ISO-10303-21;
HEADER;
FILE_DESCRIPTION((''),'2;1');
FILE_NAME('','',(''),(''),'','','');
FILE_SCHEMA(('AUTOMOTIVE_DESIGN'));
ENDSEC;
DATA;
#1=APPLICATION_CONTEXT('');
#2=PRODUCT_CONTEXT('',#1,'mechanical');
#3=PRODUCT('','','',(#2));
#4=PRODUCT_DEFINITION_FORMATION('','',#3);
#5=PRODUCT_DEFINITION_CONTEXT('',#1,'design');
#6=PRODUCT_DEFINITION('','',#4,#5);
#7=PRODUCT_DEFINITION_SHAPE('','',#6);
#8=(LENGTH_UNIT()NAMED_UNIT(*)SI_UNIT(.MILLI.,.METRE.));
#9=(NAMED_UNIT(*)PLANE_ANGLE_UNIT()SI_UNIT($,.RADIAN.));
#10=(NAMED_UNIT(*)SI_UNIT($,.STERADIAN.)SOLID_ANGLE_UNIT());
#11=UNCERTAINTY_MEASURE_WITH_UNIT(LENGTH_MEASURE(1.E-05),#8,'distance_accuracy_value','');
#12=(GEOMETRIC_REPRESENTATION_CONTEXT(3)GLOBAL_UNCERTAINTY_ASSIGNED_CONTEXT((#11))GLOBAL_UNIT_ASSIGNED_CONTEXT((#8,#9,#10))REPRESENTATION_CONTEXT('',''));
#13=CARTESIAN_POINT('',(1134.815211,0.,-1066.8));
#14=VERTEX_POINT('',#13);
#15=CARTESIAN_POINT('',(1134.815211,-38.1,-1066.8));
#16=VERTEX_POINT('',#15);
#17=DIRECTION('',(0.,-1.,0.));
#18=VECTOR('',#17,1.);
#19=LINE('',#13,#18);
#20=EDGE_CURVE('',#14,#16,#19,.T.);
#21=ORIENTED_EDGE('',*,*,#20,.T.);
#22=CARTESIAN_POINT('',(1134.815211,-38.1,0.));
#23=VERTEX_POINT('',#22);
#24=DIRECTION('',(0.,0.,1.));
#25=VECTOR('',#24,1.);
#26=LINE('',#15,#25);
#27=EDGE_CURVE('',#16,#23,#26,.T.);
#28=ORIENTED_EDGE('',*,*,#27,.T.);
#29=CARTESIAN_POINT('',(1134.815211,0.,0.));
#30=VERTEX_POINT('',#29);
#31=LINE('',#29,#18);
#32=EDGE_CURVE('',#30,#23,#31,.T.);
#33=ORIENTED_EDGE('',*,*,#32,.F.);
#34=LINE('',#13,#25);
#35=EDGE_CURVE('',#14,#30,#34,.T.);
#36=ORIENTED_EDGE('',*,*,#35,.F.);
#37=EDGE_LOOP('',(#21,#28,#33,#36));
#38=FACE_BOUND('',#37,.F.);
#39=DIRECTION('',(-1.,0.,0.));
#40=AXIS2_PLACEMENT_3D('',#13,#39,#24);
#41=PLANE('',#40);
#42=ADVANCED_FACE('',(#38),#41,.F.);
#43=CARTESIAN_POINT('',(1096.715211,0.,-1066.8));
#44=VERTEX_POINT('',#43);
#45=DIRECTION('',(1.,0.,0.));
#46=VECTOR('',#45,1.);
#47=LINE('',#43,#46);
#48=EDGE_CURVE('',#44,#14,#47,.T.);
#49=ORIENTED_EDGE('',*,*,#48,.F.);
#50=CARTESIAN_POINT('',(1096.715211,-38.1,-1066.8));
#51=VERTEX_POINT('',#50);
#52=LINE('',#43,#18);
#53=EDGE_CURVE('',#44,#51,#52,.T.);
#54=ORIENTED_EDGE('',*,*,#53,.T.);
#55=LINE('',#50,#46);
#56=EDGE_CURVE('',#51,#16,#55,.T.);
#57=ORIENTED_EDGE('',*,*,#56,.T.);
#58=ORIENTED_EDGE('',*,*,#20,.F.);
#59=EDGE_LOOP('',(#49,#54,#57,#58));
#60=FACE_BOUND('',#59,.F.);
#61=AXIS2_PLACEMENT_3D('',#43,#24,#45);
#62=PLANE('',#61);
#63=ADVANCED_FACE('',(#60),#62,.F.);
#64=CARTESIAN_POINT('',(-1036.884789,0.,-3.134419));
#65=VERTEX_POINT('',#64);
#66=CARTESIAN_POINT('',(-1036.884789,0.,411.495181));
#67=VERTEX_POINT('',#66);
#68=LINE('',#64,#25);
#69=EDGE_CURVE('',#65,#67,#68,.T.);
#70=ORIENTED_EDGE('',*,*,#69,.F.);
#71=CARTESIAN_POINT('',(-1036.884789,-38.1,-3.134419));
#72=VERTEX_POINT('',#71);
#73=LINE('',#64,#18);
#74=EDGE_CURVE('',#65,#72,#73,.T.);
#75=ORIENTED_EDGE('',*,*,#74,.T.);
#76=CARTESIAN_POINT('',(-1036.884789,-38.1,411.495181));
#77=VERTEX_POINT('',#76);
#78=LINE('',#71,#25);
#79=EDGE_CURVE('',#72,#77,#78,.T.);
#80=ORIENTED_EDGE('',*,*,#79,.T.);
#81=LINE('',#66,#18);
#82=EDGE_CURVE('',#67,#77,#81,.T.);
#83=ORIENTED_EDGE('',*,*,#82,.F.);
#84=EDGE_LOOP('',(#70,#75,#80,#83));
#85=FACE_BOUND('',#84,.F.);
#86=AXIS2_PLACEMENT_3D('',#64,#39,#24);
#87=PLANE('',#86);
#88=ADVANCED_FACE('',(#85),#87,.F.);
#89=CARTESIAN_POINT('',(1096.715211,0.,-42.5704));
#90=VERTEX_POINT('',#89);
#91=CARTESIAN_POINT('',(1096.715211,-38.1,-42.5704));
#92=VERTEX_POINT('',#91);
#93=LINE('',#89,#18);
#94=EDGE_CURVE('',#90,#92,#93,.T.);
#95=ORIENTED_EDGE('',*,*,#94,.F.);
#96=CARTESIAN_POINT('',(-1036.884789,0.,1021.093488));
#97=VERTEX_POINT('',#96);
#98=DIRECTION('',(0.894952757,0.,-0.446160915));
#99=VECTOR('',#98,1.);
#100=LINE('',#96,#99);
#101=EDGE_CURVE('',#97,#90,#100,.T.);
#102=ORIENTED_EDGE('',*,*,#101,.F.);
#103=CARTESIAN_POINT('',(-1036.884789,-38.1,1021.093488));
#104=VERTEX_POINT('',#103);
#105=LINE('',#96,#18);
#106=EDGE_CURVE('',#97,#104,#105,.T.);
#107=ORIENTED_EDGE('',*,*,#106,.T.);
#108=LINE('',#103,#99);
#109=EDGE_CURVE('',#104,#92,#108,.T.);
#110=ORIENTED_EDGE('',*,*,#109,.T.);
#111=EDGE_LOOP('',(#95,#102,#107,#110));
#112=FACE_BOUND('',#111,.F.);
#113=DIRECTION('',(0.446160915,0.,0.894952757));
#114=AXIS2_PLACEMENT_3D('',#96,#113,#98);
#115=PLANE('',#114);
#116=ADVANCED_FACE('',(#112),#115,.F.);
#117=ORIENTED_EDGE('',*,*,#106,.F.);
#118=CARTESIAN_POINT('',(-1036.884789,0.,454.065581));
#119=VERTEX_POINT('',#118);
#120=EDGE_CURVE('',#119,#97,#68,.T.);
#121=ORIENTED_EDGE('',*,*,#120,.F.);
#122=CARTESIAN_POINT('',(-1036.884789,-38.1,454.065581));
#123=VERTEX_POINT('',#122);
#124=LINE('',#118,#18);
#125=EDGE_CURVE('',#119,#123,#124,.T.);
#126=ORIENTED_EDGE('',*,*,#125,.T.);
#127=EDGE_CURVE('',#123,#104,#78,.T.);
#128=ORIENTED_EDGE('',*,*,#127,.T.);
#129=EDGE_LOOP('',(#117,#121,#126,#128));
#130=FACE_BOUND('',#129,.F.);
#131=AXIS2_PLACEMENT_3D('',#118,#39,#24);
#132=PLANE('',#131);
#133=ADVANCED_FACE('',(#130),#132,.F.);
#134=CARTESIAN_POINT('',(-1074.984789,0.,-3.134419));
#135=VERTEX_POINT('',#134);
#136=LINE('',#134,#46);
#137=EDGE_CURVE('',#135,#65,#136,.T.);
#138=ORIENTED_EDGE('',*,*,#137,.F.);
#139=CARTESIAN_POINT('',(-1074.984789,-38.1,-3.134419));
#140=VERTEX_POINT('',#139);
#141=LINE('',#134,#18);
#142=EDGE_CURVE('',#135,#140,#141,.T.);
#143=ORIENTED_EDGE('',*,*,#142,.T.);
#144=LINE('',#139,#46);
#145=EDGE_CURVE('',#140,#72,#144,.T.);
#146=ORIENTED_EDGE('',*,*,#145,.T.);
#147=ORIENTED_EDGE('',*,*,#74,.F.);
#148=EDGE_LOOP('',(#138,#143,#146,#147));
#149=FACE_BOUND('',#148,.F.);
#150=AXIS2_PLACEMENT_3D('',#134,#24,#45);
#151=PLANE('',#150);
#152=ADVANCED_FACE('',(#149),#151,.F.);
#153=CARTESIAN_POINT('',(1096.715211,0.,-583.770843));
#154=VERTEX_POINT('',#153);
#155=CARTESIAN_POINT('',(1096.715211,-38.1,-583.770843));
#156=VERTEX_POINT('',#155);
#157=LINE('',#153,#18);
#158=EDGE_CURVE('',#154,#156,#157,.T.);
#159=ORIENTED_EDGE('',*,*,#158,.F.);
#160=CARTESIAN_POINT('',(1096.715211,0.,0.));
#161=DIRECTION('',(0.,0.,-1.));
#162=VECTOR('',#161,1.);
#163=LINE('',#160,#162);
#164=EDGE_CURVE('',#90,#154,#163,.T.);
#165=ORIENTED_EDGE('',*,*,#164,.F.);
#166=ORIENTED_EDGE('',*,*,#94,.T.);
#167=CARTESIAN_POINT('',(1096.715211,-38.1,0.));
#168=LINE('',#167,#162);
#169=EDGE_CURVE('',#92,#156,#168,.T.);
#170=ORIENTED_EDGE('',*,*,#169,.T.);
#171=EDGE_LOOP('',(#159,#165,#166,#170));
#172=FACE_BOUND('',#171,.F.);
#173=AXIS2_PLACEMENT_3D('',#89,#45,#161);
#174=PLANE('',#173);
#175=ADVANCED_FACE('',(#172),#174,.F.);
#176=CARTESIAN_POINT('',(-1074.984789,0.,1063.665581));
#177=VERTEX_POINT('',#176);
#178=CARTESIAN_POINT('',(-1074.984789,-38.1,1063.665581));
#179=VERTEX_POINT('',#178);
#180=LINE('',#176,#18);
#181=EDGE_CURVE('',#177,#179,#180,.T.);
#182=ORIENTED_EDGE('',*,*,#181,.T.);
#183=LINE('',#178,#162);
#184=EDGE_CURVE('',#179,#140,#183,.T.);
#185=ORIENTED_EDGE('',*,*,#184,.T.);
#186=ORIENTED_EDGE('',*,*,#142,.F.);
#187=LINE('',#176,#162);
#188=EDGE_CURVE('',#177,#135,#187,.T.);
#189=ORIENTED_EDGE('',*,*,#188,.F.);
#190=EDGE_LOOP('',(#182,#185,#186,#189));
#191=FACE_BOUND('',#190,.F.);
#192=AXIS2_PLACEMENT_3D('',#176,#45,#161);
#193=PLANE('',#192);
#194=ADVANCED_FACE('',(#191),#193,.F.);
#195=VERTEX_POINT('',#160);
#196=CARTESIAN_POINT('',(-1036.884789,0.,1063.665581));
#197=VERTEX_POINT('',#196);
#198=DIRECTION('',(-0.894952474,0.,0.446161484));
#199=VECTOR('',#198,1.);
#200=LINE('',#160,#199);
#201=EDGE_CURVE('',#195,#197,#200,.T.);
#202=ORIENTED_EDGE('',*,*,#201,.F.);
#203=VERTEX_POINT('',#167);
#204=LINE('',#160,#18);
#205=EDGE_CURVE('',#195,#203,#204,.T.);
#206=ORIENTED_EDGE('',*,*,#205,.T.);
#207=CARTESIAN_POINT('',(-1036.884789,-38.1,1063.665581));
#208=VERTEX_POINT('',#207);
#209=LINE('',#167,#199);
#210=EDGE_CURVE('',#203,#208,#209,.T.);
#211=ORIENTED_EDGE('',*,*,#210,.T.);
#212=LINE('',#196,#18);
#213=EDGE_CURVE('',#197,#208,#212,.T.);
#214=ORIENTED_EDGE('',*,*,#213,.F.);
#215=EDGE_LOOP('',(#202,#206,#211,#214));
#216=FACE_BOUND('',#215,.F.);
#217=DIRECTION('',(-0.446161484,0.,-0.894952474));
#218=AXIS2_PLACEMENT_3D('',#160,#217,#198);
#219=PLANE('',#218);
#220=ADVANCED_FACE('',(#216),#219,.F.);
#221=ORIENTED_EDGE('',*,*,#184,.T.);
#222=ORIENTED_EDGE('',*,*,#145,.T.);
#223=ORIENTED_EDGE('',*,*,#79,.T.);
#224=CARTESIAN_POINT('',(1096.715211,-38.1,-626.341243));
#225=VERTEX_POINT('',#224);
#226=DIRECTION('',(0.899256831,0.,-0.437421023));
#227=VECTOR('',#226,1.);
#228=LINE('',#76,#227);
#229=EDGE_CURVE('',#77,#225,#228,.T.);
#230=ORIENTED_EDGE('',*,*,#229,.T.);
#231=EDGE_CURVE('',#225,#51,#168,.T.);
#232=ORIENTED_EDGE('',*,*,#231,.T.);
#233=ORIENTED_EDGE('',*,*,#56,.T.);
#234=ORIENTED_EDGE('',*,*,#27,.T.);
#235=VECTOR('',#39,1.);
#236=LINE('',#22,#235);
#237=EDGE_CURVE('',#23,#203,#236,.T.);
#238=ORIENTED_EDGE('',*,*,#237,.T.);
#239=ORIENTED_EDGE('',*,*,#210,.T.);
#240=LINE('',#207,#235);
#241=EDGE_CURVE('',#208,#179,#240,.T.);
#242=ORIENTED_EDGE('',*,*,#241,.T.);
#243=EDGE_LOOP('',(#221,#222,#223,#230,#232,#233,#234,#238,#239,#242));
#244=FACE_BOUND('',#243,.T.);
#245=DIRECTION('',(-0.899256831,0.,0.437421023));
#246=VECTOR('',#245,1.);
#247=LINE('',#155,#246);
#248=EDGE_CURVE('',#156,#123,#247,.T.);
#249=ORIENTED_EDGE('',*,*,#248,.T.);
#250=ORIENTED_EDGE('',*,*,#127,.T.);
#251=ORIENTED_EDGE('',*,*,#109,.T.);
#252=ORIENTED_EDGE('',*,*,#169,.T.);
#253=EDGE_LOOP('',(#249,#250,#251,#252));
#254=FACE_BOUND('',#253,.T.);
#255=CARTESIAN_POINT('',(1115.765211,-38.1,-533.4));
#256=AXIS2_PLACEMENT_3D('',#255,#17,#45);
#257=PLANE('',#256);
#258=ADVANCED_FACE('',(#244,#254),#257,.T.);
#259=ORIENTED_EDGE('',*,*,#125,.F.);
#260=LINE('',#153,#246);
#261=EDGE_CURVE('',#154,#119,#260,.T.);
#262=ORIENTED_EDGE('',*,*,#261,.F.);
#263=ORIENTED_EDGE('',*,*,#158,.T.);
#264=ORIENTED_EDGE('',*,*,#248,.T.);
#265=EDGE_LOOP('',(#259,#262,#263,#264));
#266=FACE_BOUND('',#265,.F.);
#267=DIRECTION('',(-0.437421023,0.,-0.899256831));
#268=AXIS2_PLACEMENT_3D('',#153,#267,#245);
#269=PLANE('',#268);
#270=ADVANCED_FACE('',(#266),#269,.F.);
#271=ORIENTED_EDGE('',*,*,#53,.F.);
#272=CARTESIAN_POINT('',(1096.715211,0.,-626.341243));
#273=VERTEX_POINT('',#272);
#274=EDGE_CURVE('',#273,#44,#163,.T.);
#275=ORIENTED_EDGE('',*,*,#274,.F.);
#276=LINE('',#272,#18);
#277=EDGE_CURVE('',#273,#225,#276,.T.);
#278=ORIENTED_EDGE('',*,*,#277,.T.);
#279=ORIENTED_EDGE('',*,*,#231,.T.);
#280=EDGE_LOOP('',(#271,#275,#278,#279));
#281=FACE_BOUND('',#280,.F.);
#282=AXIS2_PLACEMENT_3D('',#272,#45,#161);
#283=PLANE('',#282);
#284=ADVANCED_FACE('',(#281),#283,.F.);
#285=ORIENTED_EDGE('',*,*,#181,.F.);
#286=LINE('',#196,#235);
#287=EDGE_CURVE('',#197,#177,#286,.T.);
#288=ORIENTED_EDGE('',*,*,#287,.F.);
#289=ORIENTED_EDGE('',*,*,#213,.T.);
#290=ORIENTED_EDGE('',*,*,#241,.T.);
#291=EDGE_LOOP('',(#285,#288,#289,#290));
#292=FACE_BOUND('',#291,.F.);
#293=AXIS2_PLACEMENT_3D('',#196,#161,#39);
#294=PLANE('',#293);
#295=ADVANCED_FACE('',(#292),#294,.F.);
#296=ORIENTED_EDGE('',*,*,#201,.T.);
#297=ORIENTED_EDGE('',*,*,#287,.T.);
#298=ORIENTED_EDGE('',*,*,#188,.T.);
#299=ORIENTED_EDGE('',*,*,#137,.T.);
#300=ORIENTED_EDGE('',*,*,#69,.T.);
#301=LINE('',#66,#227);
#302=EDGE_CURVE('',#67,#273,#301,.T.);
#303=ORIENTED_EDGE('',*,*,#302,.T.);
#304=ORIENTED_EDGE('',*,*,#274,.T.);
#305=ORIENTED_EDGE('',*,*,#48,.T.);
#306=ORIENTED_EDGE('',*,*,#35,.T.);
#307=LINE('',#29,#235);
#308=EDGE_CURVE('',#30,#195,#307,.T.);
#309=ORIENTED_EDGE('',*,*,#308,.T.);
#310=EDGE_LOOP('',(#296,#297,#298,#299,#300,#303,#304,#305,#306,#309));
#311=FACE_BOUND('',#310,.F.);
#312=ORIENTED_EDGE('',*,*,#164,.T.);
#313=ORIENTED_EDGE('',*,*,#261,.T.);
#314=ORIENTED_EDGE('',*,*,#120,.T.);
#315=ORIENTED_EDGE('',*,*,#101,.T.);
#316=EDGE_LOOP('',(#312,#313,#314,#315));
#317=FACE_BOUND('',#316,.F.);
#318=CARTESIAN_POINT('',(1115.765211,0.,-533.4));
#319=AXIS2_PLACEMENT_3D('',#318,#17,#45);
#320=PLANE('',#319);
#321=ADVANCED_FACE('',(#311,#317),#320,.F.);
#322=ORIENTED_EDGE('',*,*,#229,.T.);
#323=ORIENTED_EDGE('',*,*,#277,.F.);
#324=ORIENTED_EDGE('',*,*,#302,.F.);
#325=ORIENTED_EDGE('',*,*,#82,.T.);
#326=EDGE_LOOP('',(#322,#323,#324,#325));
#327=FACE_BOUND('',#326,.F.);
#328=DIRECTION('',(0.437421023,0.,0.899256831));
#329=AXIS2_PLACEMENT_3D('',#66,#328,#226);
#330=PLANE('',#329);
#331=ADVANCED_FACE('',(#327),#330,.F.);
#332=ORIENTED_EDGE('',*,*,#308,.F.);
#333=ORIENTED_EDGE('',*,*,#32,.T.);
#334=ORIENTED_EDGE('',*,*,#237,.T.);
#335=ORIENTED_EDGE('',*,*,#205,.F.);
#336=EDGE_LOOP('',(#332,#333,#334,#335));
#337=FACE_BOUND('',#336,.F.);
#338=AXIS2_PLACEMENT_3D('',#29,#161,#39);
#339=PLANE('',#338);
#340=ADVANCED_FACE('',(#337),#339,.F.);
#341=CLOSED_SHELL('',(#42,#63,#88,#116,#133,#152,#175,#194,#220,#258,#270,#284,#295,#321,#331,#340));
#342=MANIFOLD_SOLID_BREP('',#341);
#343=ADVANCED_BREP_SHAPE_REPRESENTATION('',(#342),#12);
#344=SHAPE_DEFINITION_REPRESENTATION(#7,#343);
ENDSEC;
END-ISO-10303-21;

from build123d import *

# Parameters (mm, degrees)
F1_DEPTH = 38.1


with BuildPart() as f1:
    # F0 (on Front) → F1 (new body)
    with BuildSketch(Plane.XZ):
        Polygon((1134.815211, 0), (1096.715211, 0), (1096.715211, -42.5704), (1096.715211, -583.770843), (1096.715211, -626.341243), (1096.715211, -1066.8), (1134.815211, -1066.8), align=None)
        Polygon((1096.715211, -42.5704), (1096.715211, 0), (-1036.884789, 1063.665581), (-1036.884789, 1021.093488), align=None)
        Polygon((-1036.884789, 1021.093488), (-1036.884789, 1063.665581), (-1074.984789, 1063.665581), (-1074.984789, -3.134419), (-1036.884789, -3.134419), (-1036.884789, 411.495181), (-1036.884789, 454.065581), align=None)
        Polygon((1096.715211, -626.341243), (1096.715211, -583.770843), (-1036.884789, 454.065581), (-1036.884789, 411.495181), align=None)
    extrude(amount=F1_DEPTH)


solid = f1.part
